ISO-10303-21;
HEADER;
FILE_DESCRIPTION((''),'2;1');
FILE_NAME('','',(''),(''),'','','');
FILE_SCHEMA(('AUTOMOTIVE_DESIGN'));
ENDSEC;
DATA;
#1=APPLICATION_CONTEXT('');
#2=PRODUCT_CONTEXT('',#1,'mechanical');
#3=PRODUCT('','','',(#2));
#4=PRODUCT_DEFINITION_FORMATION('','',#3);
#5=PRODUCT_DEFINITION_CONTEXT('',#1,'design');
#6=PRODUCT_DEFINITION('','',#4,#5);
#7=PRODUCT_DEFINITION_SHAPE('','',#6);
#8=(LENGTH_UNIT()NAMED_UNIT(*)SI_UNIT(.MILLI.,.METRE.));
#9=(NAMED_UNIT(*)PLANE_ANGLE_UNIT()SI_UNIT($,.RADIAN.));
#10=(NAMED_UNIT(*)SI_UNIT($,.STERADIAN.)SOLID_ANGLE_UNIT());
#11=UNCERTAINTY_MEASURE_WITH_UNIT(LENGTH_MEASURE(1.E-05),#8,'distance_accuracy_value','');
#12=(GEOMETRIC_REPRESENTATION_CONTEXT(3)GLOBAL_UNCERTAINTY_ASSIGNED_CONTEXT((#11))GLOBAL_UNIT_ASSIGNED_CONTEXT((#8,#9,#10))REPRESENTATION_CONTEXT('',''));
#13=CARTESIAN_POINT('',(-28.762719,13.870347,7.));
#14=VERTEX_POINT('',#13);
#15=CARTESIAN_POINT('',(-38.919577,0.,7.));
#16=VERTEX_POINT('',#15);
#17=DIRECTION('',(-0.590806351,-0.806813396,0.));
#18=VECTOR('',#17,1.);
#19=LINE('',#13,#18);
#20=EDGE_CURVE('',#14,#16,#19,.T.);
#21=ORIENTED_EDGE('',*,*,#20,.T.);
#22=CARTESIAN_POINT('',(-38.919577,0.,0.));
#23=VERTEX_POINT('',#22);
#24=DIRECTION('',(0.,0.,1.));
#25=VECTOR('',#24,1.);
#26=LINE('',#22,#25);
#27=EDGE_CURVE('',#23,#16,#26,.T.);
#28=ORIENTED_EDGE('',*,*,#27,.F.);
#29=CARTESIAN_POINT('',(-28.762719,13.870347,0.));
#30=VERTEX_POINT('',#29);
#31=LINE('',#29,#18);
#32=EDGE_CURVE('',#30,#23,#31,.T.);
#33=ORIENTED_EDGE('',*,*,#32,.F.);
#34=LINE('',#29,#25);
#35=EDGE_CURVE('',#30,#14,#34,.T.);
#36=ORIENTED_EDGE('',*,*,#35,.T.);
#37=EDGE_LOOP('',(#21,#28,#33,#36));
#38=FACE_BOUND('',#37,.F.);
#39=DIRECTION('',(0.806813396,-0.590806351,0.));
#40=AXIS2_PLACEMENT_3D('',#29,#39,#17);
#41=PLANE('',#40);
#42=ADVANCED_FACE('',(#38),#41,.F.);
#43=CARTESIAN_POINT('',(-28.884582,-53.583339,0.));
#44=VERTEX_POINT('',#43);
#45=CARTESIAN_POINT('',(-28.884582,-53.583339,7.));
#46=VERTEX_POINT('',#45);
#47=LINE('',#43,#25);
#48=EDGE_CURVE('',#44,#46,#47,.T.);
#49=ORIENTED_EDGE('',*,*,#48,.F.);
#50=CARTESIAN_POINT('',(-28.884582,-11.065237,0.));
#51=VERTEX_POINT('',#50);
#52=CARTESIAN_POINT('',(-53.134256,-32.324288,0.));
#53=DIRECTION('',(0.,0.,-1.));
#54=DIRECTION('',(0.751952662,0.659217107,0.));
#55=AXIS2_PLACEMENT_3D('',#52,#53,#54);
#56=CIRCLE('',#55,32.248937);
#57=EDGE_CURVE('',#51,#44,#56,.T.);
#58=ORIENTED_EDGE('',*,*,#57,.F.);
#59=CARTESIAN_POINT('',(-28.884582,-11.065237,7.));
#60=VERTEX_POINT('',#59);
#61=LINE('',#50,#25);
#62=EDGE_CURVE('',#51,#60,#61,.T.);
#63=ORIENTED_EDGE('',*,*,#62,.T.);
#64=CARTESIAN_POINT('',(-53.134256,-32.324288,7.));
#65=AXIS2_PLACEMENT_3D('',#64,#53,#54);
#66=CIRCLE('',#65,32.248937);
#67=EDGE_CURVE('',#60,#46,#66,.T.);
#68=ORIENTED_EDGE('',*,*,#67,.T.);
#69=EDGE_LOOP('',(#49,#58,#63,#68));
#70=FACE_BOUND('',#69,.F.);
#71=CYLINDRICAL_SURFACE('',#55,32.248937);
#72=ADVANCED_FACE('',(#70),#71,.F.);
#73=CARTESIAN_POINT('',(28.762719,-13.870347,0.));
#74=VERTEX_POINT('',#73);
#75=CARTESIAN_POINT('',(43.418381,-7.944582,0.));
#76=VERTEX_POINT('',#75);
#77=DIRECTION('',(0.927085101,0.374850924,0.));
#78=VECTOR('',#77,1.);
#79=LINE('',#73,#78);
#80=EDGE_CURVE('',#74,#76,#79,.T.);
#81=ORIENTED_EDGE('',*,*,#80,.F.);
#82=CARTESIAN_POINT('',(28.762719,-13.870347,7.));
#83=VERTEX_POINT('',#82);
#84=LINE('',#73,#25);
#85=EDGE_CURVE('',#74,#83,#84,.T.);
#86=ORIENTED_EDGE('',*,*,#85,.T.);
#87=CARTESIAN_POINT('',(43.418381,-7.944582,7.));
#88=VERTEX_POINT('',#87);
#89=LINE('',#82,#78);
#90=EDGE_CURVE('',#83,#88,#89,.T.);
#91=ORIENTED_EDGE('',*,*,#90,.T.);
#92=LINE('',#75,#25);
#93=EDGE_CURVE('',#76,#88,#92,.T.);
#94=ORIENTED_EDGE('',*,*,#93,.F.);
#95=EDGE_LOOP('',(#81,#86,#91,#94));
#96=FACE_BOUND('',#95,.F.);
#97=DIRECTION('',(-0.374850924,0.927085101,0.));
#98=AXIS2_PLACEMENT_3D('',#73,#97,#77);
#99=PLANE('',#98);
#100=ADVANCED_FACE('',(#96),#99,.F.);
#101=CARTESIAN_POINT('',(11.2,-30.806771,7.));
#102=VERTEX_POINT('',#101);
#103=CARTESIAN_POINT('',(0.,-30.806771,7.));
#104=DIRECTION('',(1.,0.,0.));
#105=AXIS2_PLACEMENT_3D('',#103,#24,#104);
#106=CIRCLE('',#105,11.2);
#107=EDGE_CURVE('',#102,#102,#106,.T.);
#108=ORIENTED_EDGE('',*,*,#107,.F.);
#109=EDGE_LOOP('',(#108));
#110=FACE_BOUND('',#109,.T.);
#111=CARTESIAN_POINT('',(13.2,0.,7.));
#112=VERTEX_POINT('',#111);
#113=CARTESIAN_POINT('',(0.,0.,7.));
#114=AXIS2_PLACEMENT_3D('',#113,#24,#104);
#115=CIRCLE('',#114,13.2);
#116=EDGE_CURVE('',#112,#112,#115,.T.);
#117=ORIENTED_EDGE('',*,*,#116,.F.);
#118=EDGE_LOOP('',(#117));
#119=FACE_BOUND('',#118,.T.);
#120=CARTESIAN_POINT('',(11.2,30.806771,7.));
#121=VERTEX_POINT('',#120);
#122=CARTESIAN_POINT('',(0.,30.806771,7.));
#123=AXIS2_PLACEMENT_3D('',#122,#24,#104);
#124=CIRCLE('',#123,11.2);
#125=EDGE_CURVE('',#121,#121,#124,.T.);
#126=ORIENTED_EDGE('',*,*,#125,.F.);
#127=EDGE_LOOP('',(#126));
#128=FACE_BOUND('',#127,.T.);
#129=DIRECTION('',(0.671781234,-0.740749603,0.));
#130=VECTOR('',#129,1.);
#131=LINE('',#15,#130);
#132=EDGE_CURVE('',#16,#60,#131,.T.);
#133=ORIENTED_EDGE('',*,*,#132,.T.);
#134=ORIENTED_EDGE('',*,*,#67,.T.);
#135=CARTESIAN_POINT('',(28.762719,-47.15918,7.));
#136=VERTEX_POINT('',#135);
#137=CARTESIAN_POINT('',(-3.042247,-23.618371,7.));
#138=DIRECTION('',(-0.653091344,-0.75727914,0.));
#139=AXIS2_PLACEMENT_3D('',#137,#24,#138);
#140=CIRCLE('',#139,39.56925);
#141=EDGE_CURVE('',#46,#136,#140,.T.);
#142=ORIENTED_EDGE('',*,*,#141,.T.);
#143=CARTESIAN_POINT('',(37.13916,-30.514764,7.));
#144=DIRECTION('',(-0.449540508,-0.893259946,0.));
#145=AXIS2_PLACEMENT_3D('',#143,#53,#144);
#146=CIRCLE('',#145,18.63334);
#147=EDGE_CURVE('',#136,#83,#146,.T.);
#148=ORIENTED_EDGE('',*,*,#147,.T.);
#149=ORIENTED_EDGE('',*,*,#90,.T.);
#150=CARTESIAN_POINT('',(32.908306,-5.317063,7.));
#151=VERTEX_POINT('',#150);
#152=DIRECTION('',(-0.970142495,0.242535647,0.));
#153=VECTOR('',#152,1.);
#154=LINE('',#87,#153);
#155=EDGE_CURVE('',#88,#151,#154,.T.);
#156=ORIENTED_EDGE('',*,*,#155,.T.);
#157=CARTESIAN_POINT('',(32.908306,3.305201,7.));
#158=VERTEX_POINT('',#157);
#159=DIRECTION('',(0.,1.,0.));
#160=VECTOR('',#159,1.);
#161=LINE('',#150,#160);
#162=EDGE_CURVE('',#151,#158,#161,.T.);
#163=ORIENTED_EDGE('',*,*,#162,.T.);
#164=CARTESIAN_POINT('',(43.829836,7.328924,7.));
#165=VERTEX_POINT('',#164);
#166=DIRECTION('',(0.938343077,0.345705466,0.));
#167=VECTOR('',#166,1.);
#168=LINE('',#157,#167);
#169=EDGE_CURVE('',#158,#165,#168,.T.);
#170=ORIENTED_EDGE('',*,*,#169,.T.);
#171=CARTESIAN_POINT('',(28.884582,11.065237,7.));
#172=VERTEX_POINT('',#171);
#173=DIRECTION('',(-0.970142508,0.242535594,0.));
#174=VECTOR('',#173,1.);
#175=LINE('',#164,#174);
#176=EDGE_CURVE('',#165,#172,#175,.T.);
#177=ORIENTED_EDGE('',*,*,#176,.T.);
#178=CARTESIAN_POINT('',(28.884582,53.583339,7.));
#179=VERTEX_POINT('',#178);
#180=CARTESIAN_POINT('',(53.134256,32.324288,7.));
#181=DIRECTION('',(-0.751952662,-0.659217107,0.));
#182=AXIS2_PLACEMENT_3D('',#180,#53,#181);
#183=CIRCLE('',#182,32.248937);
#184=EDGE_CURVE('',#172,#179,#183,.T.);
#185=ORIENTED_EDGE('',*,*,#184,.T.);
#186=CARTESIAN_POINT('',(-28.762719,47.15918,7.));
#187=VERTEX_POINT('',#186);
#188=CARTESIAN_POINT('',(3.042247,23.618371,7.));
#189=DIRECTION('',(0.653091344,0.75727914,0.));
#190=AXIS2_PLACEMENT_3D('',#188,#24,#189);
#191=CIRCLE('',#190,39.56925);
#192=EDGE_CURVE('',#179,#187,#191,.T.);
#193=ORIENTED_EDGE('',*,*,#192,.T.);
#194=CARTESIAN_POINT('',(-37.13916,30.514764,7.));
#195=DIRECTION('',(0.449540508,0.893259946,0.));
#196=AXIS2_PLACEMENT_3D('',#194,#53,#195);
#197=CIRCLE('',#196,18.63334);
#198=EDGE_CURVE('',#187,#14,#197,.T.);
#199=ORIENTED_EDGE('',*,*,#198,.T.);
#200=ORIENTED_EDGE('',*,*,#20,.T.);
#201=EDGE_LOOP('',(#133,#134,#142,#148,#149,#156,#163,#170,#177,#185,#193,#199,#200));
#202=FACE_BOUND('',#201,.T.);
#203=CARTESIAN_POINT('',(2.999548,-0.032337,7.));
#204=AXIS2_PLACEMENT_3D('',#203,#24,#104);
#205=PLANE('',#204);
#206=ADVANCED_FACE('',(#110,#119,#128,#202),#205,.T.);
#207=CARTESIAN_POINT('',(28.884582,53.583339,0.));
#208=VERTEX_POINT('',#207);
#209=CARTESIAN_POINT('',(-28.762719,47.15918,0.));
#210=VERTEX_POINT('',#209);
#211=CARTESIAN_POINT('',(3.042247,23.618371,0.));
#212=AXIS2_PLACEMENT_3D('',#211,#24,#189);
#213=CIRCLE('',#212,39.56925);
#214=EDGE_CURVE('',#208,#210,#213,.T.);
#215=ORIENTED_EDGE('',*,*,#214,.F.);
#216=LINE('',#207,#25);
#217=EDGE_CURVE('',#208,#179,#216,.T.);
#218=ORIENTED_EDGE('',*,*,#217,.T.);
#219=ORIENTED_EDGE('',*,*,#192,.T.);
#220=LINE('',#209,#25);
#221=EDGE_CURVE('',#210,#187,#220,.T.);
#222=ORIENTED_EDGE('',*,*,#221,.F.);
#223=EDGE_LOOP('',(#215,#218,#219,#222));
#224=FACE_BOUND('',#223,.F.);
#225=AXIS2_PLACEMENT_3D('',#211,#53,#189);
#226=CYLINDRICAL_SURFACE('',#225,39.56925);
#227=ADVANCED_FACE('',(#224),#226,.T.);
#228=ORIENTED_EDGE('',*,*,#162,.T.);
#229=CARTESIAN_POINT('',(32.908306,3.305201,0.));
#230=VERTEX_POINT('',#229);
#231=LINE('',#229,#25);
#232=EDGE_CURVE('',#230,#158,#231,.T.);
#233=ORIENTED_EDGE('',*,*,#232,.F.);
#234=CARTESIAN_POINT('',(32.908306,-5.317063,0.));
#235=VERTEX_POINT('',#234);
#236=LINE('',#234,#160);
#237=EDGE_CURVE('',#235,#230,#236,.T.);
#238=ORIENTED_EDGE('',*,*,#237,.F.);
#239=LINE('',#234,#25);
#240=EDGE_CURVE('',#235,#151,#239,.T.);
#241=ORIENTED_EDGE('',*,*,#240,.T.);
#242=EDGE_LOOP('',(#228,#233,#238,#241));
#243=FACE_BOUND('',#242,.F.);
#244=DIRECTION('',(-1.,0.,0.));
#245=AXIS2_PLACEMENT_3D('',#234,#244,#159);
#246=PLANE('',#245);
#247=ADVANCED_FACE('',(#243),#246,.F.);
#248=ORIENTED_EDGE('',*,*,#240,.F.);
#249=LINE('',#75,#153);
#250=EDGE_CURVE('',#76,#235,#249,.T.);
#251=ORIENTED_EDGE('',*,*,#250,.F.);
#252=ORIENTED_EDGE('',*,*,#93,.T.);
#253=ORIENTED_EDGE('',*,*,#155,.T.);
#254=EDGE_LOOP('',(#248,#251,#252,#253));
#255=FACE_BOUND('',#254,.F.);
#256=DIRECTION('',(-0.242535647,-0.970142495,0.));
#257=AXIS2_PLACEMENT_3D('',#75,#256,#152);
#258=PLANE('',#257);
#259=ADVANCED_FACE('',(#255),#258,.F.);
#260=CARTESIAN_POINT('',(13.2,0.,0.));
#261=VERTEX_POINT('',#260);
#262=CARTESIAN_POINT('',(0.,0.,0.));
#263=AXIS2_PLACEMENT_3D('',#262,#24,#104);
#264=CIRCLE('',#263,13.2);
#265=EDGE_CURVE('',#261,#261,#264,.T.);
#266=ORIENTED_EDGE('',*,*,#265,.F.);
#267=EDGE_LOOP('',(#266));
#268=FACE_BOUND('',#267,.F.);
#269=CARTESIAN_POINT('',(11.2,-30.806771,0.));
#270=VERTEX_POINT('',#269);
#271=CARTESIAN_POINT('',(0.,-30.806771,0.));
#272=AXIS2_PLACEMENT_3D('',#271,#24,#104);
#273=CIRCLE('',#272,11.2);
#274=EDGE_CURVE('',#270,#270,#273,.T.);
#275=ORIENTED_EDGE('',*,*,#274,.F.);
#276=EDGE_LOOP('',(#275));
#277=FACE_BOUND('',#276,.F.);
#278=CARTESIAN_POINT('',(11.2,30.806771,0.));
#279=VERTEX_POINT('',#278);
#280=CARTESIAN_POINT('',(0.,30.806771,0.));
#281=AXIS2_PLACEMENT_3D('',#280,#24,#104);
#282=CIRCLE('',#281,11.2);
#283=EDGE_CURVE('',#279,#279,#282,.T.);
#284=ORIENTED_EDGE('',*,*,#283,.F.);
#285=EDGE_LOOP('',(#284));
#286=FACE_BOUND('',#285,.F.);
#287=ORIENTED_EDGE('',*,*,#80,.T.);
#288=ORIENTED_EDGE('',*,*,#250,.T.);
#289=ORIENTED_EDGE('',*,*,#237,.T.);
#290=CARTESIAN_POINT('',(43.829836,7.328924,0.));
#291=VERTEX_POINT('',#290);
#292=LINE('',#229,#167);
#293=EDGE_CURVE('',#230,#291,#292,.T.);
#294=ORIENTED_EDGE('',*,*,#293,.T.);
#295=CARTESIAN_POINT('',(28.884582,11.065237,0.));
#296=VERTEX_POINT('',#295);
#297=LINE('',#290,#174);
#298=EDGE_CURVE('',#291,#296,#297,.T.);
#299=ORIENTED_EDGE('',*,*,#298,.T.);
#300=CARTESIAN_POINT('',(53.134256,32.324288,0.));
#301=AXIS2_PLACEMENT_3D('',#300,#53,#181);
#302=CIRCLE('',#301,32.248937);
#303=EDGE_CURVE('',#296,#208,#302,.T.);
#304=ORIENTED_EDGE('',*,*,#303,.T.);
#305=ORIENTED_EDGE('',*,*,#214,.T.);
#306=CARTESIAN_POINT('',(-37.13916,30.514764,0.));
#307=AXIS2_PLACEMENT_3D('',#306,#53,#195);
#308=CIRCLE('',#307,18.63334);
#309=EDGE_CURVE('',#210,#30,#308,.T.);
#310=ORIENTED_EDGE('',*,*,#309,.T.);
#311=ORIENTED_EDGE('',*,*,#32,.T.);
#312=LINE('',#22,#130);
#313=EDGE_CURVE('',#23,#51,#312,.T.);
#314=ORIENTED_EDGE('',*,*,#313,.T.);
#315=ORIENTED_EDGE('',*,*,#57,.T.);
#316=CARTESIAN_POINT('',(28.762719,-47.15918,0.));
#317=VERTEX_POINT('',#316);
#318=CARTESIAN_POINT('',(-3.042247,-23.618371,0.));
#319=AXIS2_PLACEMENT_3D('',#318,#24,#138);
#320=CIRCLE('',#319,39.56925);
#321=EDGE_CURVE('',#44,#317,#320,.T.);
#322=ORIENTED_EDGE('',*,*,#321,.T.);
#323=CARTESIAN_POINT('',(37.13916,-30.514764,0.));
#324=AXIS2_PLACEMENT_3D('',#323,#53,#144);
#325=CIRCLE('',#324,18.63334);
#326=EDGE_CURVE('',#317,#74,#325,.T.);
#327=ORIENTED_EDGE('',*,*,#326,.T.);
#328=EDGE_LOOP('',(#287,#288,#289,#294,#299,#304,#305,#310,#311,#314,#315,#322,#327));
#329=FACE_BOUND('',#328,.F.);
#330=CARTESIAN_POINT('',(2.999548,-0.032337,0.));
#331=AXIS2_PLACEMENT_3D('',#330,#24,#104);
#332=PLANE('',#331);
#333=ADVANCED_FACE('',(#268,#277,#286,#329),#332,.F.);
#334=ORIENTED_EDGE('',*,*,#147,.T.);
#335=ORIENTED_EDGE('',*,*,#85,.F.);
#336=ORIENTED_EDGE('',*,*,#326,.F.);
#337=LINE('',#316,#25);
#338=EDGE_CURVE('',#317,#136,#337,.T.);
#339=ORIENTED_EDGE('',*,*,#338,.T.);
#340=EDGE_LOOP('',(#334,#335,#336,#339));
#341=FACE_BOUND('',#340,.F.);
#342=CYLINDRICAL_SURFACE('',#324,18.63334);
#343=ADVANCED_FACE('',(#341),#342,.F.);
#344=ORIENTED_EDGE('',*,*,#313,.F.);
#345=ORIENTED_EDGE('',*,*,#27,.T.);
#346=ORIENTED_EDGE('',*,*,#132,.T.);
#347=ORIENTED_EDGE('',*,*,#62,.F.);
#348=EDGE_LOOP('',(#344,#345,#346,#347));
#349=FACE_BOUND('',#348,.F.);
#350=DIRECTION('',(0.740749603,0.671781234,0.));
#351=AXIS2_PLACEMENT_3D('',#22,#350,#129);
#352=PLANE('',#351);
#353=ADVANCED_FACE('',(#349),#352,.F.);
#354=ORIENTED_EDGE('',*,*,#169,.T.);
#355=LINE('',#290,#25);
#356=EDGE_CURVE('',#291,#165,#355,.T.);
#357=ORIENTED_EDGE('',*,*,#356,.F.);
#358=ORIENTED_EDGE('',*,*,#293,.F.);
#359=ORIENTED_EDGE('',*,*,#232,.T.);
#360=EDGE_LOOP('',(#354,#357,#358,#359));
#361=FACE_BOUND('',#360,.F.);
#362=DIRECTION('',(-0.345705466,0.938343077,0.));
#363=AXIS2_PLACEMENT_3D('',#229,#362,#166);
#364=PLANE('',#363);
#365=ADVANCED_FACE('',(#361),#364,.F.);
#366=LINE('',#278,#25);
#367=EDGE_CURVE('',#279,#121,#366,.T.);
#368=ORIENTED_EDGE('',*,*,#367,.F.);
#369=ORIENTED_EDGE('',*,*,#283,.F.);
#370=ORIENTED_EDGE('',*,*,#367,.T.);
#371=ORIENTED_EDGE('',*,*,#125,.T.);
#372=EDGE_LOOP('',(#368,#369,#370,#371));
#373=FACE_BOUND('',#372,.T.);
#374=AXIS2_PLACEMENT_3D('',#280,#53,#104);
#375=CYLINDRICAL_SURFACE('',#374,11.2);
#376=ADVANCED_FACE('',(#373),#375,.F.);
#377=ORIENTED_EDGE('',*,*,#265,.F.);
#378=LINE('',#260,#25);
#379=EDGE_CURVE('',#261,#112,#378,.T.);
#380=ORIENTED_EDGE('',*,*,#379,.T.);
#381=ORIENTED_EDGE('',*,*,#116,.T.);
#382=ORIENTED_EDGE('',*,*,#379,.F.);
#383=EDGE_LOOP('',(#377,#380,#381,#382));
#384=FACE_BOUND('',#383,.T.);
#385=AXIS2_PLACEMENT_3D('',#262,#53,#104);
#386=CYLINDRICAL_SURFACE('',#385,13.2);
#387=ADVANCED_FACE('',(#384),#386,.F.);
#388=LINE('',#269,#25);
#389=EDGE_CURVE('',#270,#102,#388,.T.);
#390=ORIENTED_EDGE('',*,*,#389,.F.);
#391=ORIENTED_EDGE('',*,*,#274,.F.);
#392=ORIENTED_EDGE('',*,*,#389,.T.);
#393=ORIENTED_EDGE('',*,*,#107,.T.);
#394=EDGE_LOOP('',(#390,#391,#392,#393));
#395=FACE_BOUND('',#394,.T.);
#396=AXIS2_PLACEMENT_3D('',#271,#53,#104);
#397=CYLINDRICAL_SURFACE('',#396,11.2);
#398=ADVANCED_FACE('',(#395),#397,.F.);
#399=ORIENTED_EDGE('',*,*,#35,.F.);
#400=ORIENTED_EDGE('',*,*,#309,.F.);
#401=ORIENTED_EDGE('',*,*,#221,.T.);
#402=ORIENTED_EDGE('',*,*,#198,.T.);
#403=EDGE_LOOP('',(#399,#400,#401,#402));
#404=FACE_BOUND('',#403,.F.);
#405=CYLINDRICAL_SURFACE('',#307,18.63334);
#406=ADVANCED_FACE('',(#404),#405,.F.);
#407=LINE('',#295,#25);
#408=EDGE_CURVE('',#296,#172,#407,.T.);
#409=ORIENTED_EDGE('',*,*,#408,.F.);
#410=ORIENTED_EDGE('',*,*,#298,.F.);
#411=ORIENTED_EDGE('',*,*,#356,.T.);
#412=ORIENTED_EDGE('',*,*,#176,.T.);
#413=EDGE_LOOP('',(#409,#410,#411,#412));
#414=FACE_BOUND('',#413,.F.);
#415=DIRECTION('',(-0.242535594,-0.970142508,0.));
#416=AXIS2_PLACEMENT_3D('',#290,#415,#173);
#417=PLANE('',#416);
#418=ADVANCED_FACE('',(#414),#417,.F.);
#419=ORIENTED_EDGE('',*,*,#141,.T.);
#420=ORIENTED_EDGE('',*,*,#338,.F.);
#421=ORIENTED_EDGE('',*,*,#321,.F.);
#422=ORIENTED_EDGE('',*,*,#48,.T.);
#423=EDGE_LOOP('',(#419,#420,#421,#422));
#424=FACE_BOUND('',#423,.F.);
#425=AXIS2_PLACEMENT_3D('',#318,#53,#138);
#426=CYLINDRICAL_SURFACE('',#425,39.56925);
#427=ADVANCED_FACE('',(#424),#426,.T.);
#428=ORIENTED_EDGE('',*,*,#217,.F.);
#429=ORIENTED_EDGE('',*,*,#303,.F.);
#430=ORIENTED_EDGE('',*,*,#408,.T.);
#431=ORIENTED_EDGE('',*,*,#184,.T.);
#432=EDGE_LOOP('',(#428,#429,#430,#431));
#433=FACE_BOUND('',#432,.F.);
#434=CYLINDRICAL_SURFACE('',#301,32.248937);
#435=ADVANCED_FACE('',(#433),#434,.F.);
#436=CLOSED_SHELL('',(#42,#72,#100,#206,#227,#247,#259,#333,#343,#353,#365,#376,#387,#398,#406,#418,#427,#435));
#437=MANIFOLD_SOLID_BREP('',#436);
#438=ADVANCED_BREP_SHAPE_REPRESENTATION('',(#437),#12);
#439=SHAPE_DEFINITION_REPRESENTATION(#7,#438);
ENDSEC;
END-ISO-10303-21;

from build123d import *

# Parameters (mm, degrees)
F0_R     = 11.2
F0_R_2   = 13.2
F1_DEPTH = 7


with BuildPart() as f1:
    # F0 (on Top) → F1 (new body)
    with BuildSketch(Plane.XY):
        with BuildLine():
            ThreePointArc((28.884582, 11.065237), (20.885319, 32.324288), (28.884582, 53.583339))
            ThreePointArc((28.884582, 53.583339), (-1.340183, 62.944188), (-28.762719, 47.15918))
            ThreePointArc((-28.762719, 47.15918), (-18.50582, 30.514764), (-28.762719, 13.870347))
            Line((-28.762719, 13.870347), (-38.919577, 0))
            Line((-38.919577, 0), (-28.884582, -11.065237))
            ThreePointArc((-28.884582, -11.065237), (-20.885319, -32.324288), (-28.884582, -53.583339))
            ThreePointArc((-28.884582, -53.583339), (1.340183, -62.944188), (28.762719, -47.15918))
            ThreePointArc((28.762719, -47.15918), (18.50582, -30.514764), (28.762719, -13.870347))
            Line((28.762719, -13.870347), (43.418381, -7.944582))
            Line((43.418381, -7.944582), (32.908306, -5.317063))
            Line((32.908306, -5.317063), (32.908306, 3.305201))
            Line((32.908306, 3.305201), (43.829836, 7.328924))
            Line((43.829836, 7.328924), (28.884582, 11.065237))
        make_face()
        with Locations((0, -30.806771)):
            Circle(F0_R, mode=Mode.SUBTRACT)
        Circle(F0_R_2, mode=Mode.SUBTRACT)
        with Locations((0, 30.806771)):
            Circle(F0_R, mode=Mode.SUBTRACT)
    extrude(amount=F1_DEPTH)


solid = f1.part
